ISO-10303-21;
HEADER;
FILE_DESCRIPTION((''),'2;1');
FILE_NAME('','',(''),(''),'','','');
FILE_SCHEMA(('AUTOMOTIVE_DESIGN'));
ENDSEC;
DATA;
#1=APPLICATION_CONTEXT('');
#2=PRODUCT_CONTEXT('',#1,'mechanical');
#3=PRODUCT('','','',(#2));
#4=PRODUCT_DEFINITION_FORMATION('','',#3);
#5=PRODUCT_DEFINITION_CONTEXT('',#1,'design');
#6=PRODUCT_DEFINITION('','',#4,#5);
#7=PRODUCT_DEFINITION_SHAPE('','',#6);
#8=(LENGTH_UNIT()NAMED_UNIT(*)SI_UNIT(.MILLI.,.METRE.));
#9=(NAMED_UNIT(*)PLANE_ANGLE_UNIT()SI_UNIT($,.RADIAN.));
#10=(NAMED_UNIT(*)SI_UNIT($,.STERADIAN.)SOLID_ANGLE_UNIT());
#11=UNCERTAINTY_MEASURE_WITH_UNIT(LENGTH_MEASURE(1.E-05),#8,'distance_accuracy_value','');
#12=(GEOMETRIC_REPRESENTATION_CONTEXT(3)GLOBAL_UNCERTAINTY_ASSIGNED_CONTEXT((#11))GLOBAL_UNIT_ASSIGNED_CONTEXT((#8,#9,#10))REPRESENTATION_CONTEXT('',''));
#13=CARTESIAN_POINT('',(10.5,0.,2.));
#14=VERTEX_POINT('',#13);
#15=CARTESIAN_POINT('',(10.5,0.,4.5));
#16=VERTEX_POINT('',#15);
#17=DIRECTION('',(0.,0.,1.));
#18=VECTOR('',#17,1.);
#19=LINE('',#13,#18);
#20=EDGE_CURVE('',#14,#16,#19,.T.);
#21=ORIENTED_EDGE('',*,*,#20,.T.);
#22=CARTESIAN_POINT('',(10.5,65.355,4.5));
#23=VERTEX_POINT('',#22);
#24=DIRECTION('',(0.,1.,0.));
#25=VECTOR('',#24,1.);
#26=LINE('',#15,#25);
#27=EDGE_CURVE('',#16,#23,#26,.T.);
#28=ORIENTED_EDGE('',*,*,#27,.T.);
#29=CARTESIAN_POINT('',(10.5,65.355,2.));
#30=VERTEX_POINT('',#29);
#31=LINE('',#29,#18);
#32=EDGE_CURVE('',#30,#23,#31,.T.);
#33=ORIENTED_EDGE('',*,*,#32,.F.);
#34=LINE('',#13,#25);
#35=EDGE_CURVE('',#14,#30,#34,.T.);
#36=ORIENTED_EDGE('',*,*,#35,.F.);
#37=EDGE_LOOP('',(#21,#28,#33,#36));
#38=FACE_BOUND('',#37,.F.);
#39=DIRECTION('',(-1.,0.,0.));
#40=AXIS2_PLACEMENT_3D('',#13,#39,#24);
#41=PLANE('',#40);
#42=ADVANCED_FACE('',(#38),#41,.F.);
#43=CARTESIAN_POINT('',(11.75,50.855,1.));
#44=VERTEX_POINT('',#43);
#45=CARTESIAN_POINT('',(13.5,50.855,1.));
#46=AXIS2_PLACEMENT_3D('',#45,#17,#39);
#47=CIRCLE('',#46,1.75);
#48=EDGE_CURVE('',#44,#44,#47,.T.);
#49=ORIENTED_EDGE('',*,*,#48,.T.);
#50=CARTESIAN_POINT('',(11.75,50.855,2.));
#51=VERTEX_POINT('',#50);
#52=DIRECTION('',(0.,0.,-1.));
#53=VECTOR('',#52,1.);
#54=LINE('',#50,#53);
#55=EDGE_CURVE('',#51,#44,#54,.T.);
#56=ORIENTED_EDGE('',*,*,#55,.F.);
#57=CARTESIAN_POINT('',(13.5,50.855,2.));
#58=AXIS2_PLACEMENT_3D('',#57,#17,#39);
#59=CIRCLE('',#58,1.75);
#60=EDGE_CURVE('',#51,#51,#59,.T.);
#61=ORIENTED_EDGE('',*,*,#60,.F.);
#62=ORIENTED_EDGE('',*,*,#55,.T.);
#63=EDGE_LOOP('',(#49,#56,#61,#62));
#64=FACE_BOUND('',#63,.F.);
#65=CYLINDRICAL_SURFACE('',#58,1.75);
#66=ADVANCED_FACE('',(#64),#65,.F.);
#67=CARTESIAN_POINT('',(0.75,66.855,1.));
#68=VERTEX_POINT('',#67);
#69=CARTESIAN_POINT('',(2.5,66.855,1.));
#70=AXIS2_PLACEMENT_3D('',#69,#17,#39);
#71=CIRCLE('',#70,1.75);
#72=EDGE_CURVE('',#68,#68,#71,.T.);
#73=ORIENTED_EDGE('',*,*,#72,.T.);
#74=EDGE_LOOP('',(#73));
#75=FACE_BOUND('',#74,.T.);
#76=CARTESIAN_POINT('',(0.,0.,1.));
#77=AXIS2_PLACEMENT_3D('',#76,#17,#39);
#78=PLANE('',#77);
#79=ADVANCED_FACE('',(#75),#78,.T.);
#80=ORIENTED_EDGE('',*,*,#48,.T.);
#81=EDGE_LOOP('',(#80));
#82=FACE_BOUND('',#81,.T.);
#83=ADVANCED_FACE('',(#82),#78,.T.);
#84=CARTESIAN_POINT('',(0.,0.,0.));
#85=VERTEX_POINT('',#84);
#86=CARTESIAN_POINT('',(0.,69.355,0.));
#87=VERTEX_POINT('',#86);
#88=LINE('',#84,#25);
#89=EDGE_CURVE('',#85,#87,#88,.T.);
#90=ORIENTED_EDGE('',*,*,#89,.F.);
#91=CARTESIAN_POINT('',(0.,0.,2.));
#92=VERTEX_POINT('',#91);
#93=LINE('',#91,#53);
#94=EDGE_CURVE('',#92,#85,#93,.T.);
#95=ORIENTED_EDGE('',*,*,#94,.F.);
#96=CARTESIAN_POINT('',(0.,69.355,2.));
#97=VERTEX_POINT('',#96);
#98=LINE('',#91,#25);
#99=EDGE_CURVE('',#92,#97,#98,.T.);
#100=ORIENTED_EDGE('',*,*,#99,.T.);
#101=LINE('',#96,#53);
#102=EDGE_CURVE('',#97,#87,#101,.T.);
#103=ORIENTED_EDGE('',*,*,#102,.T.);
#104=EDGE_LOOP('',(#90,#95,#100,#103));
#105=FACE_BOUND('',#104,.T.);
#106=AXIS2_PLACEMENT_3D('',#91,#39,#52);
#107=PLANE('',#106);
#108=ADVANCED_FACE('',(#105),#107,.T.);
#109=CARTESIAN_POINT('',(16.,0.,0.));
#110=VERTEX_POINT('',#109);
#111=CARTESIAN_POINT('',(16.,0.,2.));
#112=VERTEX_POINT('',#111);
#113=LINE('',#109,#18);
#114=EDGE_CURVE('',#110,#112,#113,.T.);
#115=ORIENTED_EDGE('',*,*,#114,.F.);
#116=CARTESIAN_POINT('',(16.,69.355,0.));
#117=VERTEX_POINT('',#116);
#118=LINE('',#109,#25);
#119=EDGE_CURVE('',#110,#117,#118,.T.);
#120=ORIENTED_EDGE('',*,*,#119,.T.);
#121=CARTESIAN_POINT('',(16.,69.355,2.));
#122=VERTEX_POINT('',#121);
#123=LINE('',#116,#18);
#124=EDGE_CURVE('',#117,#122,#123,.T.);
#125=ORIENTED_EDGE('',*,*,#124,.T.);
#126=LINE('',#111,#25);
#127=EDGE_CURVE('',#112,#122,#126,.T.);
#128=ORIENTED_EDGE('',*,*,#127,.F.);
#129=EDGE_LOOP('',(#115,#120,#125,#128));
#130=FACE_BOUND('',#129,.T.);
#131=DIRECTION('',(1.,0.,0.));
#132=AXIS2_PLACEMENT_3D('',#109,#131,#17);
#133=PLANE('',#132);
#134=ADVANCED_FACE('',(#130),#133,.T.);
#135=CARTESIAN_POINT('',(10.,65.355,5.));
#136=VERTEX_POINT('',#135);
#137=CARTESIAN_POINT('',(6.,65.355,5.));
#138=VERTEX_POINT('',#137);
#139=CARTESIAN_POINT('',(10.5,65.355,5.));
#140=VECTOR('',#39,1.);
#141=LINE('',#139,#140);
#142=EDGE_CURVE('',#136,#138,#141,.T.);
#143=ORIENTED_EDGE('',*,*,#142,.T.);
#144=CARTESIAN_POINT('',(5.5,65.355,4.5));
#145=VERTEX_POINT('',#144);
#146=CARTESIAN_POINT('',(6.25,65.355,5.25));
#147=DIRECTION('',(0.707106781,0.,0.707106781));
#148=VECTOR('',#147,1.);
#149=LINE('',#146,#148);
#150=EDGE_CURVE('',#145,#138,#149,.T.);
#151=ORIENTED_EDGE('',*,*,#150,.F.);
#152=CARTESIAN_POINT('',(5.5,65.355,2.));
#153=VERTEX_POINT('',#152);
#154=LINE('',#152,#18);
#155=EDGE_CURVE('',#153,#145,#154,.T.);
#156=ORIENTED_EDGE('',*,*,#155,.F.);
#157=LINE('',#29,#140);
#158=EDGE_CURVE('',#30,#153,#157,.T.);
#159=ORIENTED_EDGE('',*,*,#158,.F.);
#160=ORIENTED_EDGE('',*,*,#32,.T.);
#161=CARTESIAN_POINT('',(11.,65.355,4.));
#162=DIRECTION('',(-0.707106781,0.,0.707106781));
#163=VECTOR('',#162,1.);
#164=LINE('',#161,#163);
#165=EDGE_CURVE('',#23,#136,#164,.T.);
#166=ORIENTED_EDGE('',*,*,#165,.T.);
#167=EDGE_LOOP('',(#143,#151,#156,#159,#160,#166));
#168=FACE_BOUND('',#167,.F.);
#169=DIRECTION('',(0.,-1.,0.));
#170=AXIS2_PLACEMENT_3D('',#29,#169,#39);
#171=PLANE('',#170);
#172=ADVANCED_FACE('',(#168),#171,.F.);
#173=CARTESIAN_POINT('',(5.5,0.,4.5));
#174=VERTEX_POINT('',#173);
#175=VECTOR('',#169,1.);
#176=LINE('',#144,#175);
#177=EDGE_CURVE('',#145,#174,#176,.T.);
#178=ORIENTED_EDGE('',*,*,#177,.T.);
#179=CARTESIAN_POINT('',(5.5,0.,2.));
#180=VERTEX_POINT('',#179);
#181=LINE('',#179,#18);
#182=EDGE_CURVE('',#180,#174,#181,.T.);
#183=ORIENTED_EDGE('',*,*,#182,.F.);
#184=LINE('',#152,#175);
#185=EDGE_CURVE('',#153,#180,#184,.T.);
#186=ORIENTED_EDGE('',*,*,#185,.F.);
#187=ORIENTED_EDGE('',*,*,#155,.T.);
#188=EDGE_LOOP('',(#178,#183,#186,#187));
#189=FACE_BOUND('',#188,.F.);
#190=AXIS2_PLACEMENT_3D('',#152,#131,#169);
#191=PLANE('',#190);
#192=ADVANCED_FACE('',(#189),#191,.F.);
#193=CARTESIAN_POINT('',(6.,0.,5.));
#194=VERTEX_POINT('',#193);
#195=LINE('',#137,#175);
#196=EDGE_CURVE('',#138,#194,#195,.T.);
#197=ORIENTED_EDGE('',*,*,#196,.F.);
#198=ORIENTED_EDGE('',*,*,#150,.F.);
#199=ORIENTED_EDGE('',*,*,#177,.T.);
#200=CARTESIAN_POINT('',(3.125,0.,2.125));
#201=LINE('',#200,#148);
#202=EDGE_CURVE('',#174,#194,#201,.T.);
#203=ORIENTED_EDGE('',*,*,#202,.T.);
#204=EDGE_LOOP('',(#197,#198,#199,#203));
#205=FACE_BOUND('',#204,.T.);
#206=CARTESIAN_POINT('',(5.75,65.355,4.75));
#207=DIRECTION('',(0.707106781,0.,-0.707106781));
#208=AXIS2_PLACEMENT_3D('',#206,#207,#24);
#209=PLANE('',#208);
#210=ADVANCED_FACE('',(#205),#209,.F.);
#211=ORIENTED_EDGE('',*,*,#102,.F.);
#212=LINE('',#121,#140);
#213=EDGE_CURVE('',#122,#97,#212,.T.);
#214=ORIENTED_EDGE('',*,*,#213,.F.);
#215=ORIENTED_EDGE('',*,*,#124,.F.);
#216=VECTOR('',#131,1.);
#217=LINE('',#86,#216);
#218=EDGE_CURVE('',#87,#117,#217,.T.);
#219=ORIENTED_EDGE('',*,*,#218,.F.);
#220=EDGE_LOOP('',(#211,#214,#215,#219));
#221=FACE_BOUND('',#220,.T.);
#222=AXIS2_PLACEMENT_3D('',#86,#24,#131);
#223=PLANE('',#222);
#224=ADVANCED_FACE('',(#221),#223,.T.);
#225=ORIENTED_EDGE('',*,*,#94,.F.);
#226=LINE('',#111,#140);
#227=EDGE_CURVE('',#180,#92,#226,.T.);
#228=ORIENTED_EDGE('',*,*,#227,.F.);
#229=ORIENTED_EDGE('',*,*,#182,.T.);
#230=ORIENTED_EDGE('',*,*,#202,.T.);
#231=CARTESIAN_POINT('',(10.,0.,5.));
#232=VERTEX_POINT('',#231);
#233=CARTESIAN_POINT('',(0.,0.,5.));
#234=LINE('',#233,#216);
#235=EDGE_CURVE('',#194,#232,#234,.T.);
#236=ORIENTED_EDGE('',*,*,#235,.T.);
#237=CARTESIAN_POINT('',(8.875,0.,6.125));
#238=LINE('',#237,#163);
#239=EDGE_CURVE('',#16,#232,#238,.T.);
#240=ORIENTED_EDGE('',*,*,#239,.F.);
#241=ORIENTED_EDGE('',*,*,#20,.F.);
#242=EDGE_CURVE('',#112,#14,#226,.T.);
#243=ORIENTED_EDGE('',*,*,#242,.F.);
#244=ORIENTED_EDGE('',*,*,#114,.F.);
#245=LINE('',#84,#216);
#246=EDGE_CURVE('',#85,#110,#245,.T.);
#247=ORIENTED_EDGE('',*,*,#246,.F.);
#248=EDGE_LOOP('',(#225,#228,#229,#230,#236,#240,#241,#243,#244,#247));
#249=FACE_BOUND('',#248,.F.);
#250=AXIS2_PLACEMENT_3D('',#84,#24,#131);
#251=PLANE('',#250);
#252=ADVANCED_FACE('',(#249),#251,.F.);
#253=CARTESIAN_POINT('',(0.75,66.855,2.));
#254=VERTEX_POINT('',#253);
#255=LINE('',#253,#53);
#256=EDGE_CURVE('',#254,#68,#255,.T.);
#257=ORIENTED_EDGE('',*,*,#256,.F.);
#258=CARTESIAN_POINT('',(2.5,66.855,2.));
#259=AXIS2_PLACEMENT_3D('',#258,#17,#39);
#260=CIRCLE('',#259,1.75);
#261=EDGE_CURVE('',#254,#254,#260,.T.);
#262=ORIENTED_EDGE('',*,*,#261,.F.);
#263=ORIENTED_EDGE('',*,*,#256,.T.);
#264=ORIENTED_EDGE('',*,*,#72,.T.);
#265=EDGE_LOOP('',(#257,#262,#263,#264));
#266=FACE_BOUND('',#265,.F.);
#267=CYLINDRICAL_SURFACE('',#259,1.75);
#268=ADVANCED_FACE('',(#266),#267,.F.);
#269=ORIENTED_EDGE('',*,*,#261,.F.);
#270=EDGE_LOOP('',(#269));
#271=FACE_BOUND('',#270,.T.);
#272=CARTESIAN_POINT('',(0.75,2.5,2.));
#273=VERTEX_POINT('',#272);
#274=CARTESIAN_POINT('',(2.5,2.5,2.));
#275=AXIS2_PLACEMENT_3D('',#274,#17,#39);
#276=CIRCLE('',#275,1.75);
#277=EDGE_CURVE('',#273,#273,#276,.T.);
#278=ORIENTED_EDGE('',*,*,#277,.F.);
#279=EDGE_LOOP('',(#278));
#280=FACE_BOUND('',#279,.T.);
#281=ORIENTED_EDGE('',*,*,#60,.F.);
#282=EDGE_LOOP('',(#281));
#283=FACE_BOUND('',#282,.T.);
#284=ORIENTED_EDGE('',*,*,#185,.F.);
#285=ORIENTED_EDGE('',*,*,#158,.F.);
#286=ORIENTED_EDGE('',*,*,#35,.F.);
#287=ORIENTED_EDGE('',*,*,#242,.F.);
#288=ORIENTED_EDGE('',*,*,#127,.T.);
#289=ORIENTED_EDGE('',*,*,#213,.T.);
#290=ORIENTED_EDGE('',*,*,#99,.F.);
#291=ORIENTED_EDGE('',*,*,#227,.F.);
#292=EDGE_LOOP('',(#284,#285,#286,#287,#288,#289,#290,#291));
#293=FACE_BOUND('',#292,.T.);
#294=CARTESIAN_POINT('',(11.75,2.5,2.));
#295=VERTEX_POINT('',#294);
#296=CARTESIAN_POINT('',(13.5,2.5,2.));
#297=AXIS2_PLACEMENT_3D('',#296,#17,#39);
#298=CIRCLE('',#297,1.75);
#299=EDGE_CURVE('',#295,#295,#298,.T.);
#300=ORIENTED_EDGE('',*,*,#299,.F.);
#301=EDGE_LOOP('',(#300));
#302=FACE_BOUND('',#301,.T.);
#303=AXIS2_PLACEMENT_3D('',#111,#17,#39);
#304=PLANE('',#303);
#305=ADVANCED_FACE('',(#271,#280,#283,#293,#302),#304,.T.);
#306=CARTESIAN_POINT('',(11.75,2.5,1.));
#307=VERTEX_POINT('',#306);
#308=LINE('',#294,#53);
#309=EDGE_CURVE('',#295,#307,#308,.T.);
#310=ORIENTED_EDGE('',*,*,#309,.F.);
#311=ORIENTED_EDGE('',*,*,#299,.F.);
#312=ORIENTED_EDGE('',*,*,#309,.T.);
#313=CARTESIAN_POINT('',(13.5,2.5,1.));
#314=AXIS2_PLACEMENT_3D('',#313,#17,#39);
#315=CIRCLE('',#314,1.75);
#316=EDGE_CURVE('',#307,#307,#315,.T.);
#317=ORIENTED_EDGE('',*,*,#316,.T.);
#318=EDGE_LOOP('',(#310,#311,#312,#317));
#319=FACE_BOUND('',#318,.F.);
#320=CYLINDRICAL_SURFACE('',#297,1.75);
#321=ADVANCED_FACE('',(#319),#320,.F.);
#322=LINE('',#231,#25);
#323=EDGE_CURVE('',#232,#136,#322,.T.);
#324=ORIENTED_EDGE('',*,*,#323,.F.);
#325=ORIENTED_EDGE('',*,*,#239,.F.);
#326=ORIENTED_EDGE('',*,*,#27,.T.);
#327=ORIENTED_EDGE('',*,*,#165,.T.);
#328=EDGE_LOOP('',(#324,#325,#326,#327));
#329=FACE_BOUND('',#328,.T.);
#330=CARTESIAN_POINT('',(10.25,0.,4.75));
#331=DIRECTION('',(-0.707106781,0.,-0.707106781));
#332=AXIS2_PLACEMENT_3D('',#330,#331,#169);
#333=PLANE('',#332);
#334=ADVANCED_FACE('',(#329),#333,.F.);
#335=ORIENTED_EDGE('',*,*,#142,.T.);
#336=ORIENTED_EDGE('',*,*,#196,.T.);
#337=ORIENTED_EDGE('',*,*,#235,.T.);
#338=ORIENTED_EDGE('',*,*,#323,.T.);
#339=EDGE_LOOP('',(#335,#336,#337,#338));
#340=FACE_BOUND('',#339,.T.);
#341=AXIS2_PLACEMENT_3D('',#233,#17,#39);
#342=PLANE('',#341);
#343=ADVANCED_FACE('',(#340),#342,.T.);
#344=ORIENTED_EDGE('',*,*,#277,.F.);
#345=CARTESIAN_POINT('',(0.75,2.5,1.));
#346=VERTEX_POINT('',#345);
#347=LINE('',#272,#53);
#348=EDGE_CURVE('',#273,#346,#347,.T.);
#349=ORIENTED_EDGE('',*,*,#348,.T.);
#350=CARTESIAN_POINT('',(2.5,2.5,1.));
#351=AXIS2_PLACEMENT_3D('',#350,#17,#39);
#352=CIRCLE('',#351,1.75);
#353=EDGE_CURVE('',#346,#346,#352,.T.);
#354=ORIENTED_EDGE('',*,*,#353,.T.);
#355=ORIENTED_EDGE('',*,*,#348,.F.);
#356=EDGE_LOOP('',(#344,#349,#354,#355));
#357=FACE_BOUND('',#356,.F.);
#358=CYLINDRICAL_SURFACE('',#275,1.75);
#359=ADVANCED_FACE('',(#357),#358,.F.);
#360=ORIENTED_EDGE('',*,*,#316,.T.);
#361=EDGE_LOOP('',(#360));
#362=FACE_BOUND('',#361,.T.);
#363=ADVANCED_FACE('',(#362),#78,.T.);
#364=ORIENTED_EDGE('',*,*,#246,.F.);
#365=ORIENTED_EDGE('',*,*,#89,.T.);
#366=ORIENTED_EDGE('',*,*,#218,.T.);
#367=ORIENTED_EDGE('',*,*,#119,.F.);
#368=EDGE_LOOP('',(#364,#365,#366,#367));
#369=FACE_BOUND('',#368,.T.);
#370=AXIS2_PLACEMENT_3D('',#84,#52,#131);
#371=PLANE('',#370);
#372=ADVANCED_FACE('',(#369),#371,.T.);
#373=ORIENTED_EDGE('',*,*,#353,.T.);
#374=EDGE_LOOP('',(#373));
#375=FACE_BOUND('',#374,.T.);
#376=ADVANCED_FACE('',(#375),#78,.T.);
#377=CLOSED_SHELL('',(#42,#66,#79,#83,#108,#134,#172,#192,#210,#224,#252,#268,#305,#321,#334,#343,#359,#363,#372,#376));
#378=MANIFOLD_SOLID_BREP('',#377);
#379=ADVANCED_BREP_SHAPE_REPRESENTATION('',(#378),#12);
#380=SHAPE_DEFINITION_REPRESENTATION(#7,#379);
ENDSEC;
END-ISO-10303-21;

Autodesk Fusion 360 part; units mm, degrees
sketch "3D-printed conduit top outline" plane through (0, 0, 0) normal (0, 1, 0) x (1, 0, 0)
  line L0 (0, 0) -> (16, 0)
  line L1 (16, 0) -> (16, -2)
  line L2 (16, -2) -> (0, -2)
  line L3 (0, -2) -> (0, 0)
  dimension "d7" = 16
  dimension "d8" = 2
extrude "Extrude1" add sketch "3D-printed conduit top outline" along normal blind 69.355
sketch "Magnet holes" plane through (0, 0, 2) normal (0, 0, 1) x (-1, 0, 0)
  line L0 (0, 0) -> (-16, 0)
  line L1 (-16, 0) -> (-16, -69.355)
  line L2 (-16, -69.355) -> (0, -69.355)
  line L3 (0, -69.355) -> (0, 0)
  circle A0 centre (-2.5, -2.5) radius 2.5
  circle A1 centre (-13.5, -2.5) radius 2.5
  circle A2 centre (-2.5, -2.5) radius 1.75
  circle A3 centre (-13.5, -2.5) radius 1.75
  circle A4 centre (-2.5, -66.855) radius 1.75
  circle A5 centre (-2.5, -66.855) radius 2.5
  circle A6 centre (-13.5, -50.855) radius 2.5
  circle A7 centre (-13.5, -50.855) radius 1.75
  dimension "d11" = 5
  dimension "d12" = 5
  dimension "d13" = 3.5
  dimension "d14" = 3.5
  dimension "d17" = 0
  dimension "d18" = -64.355
  dimension "d32" = 0
  dimension "d33" = -48.355
extrude "Extrude4" cut sketch "Magnet holes" against normal blind 1 contours A2 | A3 | A4 | A7
sketch "Support rib" plane through (0, 0, 2) normal (0, 0, 1) x (-1, 0, 0)
  circle A0 centre (-13.5, -2.5) radius 1.75
  circle A1 centre (-2.5, -66.855) radius 1.75
  circle A2 centre (-2.5, -2.5) radius 1.75
  circle A3 centre (-13.5, -50.855) radius 1.75
  line L0 (0, 0) -> (-16, 0)
  line L1 (-16, 0) -> (-16, -69.355)
  line L2 (-16, -69.355) -> (0, -69.355)
  line L3 (0, -69.355) -> (0, 0)
  line L4 (-5.5, 0) -> (-10.5, 0)
  line L5 (-10.5, 0) -> (-10.5, -65.355)
  line L6 (-10.5, -65.355) -> (-5.5, -65.355)
  line L7 (-5.5, -65.355) -> (-5.5, 0)
  dimension "d36" = 5
  dimension "d37" = 5.5
  dimension "d38" = 5.5
  dimension "d39" = 4
extrude "Extrude3" add sketch "Support rib" along normal blind 3 contours L0 L4 L5 L6 L7
chamfer "Chamfer2" distance 0.5 angle 45 2 edges at (10.5, 32.6775, 5) (5.5, 32.6775, 5)
equation "conduit_length = 69.355 mm"
equation "conduit_width = 16 mm"
equation "conduit_wall_thickness = 2 mm"
equation "magnet_diameter = 3 mm"
equation "magnet_height = 1 mm"
equation "number_of_magnets_on_a_side = 2"
equation "d7 = conduit_width"
equation "d8 = conduit_wall_thickness"
equation "d9 = conduit_length"
equation "d11 = magnet_diameter + 2 mm"
equation "d12 = magnet_diameter + 2 mm"
equation "d13 = magnet_diameter + 0.5 mm"
equation "d14 = magnet_diameter + 0.5 mm"
equation "d16 = number_of_magnets_on_a_side"
equation "d18 = -conduit_length + ( magnet_diameter + 2 mm )"
equation "rib_width = 5 mm"
equation "rib_height = 3 mm"
equation "d26 = rib_height"
equation "rib_chamfer = 0.5 mm"
equation "d31 = number_of_magnets_on_a_side"
equation "d33 = -conduit_length + ( magnet_diameter + 2 mm ) + ( conduit_width )"
equation "d34 = -magnet_height"
equation "d36 = rib_width"
equation "d37 = ( conduit_width - rib_width ) / 2"
equation "d39 = 2 * conduit_wall_thickness"
equation "d40 = rib_chamfer"
